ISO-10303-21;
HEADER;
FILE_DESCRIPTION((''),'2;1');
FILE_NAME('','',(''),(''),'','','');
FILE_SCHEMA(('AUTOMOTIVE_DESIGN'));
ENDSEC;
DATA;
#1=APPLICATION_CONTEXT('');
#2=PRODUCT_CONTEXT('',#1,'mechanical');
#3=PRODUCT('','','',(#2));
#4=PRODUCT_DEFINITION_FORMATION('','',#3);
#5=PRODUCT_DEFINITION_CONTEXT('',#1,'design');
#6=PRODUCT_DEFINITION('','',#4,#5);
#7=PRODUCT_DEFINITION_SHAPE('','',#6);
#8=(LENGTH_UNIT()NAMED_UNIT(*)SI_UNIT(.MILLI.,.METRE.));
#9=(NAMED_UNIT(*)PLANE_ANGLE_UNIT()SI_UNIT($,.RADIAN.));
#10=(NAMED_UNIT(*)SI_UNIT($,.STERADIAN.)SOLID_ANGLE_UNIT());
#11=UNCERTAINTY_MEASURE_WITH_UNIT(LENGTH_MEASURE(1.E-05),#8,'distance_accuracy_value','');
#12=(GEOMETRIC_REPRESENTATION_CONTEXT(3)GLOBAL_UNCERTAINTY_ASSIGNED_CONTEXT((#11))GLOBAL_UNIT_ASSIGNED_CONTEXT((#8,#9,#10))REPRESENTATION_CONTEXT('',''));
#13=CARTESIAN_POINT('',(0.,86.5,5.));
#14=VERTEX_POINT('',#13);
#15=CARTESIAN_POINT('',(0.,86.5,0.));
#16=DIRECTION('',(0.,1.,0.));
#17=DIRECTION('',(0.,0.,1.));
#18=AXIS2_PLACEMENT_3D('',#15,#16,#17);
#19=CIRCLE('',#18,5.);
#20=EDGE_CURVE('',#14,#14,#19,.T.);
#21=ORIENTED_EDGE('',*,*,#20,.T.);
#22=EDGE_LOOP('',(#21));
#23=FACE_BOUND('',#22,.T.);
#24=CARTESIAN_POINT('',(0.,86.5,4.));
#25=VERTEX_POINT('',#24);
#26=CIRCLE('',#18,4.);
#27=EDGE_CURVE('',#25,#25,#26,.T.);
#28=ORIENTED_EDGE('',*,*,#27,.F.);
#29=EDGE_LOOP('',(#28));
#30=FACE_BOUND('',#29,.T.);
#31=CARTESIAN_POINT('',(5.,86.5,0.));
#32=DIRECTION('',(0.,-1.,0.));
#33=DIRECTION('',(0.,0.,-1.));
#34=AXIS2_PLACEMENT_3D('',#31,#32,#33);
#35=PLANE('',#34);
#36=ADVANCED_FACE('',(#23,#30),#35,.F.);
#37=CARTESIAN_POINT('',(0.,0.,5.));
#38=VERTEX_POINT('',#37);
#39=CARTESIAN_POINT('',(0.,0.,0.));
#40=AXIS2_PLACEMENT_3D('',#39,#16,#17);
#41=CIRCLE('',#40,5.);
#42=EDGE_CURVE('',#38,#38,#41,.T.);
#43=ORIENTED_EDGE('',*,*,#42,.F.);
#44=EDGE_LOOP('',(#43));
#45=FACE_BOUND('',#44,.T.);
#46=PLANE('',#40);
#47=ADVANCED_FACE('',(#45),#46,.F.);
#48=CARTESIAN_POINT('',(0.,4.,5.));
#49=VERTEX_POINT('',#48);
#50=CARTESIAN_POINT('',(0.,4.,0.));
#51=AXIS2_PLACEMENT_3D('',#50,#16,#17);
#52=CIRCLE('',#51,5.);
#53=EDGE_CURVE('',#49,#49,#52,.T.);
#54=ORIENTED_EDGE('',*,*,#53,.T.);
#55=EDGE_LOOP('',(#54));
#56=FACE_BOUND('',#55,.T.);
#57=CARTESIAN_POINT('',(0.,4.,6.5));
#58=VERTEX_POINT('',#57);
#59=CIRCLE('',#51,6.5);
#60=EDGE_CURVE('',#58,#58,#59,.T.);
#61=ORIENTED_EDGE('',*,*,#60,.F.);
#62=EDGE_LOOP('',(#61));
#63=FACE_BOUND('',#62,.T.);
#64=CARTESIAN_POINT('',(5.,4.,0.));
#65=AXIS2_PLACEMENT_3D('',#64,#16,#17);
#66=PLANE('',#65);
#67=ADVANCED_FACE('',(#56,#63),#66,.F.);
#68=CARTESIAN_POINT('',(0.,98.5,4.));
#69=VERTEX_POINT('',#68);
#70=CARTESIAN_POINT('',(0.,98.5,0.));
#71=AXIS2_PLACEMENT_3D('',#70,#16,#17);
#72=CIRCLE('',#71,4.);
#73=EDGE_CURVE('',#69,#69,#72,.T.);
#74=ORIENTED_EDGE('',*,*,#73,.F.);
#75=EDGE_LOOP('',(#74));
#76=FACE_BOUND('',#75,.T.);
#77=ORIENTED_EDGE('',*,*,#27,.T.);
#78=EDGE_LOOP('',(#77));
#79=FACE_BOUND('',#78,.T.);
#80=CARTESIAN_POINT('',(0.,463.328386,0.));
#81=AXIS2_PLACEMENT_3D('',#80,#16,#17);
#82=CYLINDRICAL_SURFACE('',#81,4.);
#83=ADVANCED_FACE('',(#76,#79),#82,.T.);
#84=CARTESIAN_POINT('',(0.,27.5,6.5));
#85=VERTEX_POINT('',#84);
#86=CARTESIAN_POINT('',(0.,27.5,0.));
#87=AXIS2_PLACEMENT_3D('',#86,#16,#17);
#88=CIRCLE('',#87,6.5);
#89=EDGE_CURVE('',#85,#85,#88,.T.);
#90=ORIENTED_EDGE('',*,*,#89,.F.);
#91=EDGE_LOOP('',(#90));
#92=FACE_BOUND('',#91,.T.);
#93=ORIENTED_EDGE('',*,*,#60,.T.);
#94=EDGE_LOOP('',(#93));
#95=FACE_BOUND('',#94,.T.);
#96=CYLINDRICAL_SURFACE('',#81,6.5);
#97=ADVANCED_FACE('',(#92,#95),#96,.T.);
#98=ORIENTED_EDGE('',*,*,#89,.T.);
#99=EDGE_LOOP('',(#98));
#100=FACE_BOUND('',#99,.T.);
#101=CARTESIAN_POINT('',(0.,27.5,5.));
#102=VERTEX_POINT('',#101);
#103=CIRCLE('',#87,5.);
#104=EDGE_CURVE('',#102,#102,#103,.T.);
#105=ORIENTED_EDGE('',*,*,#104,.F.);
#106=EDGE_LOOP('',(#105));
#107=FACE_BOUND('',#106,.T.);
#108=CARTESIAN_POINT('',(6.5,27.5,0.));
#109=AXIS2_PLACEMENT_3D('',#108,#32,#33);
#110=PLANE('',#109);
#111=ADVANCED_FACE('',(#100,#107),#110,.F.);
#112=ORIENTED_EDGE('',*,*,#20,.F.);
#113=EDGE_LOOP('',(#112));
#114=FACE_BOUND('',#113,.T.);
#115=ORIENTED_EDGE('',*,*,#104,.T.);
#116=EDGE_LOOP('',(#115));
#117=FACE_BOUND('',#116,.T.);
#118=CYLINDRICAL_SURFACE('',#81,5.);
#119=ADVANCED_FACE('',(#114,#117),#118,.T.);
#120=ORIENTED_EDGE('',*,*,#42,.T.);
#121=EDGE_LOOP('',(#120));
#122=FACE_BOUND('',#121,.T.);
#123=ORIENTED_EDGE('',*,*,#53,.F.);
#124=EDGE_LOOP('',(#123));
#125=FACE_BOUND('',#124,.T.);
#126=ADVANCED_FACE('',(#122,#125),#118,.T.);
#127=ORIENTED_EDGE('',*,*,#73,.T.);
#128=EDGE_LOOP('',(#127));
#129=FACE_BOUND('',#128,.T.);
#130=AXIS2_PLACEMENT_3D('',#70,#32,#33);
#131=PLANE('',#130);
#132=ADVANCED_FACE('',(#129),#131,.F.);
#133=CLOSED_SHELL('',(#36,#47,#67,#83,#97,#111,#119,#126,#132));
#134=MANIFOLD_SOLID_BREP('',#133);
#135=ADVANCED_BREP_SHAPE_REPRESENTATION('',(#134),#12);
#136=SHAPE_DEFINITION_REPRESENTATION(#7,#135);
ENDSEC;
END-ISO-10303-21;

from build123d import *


with BuildPart() as part:
    # 草圖1 → 旋轉1 (revolve)
    with BuildSketch(Plane.XY):
        Polygon((0, 0), (5, 0), (5, 4), (6.5, 4), (6.5, 27.5), (5, 27.5), (5, 86.5), (4, 86.5), (4, 98.5), (0, 98.5), align=None)
    revolve(axis=Axis((0, 463.328385711, 0), (0, -1, 0)))


solid = part.part
